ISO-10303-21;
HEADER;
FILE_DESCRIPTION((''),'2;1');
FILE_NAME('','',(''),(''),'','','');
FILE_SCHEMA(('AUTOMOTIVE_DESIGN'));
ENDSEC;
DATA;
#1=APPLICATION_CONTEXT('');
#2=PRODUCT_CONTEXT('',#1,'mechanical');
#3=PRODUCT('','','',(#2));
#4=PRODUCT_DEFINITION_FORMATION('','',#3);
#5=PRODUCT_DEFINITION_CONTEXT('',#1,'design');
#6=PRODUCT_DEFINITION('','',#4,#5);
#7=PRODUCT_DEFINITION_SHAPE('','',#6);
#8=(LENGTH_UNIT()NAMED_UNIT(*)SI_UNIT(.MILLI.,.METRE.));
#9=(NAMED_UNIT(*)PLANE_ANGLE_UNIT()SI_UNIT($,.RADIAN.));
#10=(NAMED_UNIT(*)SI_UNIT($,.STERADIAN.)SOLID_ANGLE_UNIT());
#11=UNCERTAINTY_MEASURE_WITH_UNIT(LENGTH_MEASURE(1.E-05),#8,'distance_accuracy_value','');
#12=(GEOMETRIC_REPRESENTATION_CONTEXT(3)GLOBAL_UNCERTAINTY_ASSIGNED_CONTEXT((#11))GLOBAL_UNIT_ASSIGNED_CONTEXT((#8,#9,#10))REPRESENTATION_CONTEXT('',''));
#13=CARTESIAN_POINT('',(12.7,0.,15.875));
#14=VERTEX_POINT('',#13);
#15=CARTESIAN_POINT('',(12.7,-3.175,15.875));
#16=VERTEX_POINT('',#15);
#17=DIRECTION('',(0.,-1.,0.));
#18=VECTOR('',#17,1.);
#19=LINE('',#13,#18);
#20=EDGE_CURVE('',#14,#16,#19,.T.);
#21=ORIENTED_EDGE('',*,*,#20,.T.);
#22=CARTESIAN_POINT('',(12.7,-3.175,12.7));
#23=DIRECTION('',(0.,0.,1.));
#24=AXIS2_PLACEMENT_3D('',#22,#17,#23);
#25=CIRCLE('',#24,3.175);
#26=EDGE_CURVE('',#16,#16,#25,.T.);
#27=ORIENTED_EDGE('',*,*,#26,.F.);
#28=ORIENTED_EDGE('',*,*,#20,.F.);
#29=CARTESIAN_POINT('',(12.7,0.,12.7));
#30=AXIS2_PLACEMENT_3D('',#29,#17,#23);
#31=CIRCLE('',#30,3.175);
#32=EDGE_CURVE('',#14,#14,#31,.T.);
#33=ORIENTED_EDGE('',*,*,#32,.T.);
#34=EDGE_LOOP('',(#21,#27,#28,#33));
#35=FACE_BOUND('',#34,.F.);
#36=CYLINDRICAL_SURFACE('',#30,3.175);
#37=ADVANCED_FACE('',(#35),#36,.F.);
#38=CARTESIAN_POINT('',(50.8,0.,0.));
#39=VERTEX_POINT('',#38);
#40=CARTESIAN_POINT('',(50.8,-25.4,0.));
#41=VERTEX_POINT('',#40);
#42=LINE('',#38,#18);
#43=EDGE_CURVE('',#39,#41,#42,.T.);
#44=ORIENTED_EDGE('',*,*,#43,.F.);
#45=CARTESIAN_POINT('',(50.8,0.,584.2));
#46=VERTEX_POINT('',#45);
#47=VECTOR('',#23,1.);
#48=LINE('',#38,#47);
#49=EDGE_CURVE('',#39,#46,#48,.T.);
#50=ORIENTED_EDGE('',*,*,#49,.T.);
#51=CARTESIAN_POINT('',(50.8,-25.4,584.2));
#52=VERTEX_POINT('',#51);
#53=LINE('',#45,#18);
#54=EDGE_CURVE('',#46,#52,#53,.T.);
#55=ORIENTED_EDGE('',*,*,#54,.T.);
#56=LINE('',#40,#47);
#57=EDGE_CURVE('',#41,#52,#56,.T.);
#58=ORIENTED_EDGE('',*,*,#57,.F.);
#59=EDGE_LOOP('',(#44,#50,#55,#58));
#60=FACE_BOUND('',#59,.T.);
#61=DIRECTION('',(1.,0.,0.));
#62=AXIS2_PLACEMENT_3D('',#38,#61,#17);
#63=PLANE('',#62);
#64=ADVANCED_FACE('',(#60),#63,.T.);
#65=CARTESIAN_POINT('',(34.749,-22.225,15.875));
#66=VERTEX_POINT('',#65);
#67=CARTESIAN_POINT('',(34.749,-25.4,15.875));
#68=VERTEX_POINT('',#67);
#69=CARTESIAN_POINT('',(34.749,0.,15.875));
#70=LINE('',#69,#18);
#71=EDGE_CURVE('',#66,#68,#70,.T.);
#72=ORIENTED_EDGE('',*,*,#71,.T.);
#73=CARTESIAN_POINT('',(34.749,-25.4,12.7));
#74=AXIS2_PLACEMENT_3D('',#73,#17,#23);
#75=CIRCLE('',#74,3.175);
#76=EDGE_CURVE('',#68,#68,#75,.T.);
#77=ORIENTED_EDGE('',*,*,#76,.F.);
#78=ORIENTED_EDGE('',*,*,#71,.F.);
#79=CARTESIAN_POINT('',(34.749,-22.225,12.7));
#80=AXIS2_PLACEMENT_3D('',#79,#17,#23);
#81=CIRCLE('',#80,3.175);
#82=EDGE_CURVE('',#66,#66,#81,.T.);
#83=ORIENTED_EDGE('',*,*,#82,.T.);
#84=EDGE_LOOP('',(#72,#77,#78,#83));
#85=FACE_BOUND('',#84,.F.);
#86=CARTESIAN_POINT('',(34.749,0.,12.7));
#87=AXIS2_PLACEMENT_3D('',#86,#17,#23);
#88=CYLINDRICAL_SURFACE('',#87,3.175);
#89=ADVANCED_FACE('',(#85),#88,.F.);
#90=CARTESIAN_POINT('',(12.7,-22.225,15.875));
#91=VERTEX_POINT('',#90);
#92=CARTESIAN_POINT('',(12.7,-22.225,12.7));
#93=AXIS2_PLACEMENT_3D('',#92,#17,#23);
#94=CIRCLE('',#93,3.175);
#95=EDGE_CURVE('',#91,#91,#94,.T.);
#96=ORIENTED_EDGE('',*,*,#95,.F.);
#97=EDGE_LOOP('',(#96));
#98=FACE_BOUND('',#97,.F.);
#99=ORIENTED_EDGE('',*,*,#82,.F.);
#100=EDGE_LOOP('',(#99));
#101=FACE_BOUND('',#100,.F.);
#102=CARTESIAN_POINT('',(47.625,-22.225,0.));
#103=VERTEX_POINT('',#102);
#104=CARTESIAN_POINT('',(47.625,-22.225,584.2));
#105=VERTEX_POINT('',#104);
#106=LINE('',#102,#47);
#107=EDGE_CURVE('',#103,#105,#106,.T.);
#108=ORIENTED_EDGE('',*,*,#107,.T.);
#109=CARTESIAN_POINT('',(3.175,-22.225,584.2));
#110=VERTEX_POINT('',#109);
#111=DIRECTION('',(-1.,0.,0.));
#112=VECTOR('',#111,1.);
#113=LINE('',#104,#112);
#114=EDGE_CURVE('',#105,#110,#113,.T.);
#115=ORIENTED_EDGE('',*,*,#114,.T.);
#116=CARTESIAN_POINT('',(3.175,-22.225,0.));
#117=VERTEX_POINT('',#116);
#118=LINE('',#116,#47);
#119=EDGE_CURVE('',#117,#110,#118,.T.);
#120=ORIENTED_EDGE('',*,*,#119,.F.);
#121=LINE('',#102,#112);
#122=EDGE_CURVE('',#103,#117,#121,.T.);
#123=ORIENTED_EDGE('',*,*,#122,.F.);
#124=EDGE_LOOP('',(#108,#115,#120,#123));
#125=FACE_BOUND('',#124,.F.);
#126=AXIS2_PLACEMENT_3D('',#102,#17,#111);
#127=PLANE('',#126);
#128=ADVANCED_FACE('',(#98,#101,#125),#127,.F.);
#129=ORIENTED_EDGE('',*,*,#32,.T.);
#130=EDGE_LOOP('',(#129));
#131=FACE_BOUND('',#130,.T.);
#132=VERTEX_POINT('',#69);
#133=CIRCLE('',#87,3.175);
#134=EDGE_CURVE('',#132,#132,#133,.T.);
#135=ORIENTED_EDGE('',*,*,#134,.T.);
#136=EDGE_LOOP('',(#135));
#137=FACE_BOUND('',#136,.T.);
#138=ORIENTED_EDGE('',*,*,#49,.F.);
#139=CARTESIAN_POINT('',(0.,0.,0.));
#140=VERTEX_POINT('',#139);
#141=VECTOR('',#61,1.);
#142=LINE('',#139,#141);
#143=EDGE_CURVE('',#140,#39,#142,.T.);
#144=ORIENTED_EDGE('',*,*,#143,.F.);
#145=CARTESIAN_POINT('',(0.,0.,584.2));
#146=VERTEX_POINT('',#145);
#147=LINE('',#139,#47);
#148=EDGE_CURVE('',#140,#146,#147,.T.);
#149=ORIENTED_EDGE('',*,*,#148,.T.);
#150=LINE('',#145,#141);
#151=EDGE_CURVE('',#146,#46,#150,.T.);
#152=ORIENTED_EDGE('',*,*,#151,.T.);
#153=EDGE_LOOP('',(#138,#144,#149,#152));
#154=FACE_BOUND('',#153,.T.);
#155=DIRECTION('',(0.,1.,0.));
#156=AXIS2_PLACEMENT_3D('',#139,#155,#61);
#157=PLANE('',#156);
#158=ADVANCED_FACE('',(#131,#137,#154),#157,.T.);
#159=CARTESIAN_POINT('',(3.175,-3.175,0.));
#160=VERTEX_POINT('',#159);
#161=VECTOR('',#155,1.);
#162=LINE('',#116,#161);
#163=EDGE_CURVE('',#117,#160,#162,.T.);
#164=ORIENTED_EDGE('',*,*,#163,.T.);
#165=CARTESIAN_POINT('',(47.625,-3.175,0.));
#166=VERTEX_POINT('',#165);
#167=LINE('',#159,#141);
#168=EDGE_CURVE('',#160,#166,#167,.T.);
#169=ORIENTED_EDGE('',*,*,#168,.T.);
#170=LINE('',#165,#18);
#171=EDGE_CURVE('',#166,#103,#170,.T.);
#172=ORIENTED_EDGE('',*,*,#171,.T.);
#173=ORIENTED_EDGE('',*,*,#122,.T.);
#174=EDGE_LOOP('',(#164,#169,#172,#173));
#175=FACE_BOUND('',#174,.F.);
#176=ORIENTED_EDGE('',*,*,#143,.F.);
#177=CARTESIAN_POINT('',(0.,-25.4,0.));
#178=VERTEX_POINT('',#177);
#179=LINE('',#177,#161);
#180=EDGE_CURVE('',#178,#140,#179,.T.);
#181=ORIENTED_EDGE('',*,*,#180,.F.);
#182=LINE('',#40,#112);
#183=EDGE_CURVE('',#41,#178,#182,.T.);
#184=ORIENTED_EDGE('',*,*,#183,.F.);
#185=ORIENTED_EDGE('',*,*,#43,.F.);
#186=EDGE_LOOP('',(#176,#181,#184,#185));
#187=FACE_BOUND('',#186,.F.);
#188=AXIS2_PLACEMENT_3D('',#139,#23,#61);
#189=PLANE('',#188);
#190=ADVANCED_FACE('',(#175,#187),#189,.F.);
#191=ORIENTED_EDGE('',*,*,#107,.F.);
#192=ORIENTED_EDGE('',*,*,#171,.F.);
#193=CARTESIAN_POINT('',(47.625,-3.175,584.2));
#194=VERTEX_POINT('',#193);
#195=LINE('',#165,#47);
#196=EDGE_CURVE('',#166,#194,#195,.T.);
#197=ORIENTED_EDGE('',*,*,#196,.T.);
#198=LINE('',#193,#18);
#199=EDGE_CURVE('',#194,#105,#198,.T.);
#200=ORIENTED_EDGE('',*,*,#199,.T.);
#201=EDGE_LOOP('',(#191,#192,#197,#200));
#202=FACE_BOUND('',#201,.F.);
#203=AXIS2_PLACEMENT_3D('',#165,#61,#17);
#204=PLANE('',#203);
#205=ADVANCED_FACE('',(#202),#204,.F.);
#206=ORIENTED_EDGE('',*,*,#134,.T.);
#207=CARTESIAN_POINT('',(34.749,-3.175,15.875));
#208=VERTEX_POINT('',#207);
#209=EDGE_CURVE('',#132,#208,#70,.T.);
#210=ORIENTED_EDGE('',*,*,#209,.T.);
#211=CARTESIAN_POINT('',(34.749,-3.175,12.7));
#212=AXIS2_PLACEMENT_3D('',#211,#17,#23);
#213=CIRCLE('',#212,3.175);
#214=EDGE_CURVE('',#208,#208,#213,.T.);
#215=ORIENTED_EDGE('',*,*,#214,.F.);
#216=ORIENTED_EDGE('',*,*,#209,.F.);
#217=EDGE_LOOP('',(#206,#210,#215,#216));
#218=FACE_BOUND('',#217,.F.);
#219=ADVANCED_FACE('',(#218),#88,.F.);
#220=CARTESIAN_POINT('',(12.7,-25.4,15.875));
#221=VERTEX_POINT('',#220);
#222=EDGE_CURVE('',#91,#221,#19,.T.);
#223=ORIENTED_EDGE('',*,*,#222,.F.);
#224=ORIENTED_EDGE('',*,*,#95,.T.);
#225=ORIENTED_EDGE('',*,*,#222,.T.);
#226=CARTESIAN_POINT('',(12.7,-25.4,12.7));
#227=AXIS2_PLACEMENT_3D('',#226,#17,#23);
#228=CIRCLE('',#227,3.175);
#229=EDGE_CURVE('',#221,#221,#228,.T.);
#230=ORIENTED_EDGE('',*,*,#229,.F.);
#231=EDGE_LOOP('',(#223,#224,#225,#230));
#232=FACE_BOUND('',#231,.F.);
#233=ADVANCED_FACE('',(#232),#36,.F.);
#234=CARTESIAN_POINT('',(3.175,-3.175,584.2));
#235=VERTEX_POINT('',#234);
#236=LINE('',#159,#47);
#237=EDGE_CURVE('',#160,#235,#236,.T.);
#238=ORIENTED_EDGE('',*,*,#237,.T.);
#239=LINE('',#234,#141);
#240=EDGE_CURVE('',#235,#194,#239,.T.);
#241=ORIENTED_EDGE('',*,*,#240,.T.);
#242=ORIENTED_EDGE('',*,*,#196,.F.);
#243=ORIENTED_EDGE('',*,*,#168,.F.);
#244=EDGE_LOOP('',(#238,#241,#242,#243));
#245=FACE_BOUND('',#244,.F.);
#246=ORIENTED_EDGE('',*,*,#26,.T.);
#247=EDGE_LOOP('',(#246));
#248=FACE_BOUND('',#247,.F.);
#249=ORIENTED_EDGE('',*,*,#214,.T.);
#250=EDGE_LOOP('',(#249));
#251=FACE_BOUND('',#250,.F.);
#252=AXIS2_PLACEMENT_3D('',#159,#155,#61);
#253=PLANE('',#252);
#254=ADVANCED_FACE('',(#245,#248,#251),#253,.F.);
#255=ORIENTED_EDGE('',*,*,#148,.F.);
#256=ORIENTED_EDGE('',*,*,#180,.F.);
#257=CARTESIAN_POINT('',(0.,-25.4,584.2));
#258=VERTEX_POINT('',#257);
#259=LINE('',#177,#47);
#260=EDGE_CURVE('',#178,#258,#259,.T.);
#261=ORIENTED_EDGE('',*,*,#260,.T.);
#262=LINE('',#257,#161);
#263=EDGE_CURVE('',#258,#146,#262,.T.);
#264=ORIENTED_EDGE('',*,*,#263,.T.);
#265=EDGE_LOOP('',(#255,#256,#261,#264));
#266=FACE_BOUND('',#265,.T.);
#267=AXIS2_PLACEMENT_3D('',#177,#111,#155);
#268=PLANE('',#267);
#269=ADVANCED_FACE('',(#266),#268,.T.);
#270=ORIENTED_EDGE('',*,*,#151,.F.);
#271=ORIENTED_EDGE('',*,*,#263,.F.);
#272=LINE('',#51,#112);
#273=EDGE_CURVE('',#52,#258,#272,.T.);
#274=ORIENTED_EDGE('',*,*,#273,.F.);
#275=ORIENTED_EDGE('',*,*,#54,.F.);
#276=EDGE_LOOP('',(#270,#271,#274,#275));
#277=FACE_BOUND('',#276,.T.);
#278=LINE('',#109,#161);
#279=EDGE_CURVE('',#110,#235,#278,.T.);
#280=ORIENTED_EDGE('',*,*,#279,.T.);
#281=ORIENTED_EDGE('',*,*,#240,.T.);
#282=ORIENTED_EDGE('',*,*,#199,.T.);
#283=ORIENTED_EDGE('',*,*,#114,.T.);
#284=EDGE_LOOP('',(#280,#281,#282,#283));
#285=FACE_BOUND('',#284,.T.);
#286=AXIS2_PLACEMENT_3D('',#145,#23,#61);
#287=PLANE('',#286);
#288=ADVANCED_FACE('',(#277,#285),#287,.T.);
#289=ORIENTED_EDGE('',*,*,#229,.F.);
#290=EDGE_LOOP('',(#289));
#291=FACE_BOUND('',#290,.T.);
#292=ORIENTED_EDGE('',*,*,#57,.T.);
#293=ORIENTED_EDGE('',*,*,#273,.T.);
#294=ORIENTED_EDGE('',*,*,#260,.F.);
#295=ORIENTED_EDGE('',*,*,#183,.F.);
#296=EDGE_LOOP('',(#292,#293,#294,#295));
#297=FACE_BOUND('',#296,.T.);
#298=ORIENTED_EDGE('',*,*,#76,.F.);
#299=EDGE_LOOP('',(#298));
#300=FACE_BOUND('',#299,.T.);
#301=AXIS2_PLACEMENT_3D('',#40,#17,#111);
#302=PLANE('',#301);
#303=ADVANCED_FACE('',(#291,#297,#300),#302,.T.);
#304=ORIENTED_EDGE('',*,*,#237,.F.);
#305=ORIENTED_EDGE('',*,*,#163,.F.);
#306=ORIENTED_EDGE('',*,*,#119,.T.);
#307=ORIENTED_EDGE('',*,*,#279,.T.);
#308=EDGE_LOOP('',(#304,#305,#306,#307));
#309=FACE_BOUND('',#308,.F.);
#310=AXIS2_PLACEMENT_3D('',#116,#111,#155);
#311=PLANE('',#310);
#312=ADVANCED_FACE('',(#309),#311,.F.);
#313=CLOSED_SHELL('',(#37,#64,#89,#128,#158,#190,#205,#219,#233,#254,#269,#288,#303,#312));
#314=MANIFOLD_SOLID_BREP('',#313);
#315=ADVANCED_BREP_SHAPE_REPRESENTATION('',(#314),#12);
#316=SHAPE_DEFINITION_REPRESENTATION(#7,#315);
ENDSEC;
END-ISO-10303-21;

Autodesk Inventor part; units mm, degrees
ref_plane "YZ Plane" through (0, 0, 0) normal (1, 0, 0) x (0, 1, 0)
ref_plane "XZ Plane" through (0, 0, 0) normal (0, 1, 0) x (-1, 0, 0)
ref_plane "XY Plane" through (0, 0, 0) normal (0, 0, 1) x (1, 0, 0)
sketch "Sketch1" plane through (0, 0, 0) normal (0, 0, 1) x (1, 0, 0)
  line L0 (0, 0) -> (50.8, 0)
  line L1 (50.8, 0) -> (50.8, -25.4)
  line L2 (50.8, -25.4) -> (0, -25.4)
  line L3 (0, -25.4) -> (0, 0)
  line L4 (3.175, -3.175) -> (47.625, -3.175)
  line L5 (47.625, -3.175) -> (47.625, -22.225)
  line L6 (47.625, -22.225) -> (3.175, -22.225)
  line L7 (3.175, -22.225) -> (3.175, -3.175)
  dimension "d0" = 50.8
  dimension "d1" = 25.4
  dimension "d2" = 44.45
  dimension "d3" = 19.05
  dimension "d4" = 3.175
  dimension "d5" = 3.175
extrude "Extrusion1" add sketch "Sketch1" along normal blind 584.2
sketch "Sketch2" plane through (0, 0, 0) normal (0, 1, 0) x (1, 0, 0)
  circle A0 centre (12.7, -12.7) radius 3.175
  line L0 (3.175, 0) -> (47.625, 0) projected
  line L1 (23.7245, 0) -> (23.7245, -584.2)
  line L2 (47.625, -584.2) -> (3.175, -584.2) projected
  line L3 (23.7245, 0) -> (607.9245, 0) construction
  line L4 (0, 0) -> (0, -584.2) projected
  circle A1 centre (34.749, -12.7) radius 3.175
  line L5 (0, -311.15) -> (50.8388, -311.15)
  line L6 (47.625, 0) -> (47.625, -584.2) projected
  circle A2 centre (12.7, -609.6) radius 3.175
  circle A3 centre (34.749, -609.6) radius 3.175
  dimension "d8" = 6.35
  dimension "d9" = 90
  dimension "d10" = 12.7
  dimension "d11" = 12.7
  dimension "d12" = 311.15
hole "Hole1" at (12.7, 0, 609.6) at (34.749, 0, 609.6) at (12.7, 0, 12.7) at (34.749, 0, 12.7) direction (0, -1, 0) diameter 6.35 depth 25.4 tip angle 118
properties part number "support beam 2"
